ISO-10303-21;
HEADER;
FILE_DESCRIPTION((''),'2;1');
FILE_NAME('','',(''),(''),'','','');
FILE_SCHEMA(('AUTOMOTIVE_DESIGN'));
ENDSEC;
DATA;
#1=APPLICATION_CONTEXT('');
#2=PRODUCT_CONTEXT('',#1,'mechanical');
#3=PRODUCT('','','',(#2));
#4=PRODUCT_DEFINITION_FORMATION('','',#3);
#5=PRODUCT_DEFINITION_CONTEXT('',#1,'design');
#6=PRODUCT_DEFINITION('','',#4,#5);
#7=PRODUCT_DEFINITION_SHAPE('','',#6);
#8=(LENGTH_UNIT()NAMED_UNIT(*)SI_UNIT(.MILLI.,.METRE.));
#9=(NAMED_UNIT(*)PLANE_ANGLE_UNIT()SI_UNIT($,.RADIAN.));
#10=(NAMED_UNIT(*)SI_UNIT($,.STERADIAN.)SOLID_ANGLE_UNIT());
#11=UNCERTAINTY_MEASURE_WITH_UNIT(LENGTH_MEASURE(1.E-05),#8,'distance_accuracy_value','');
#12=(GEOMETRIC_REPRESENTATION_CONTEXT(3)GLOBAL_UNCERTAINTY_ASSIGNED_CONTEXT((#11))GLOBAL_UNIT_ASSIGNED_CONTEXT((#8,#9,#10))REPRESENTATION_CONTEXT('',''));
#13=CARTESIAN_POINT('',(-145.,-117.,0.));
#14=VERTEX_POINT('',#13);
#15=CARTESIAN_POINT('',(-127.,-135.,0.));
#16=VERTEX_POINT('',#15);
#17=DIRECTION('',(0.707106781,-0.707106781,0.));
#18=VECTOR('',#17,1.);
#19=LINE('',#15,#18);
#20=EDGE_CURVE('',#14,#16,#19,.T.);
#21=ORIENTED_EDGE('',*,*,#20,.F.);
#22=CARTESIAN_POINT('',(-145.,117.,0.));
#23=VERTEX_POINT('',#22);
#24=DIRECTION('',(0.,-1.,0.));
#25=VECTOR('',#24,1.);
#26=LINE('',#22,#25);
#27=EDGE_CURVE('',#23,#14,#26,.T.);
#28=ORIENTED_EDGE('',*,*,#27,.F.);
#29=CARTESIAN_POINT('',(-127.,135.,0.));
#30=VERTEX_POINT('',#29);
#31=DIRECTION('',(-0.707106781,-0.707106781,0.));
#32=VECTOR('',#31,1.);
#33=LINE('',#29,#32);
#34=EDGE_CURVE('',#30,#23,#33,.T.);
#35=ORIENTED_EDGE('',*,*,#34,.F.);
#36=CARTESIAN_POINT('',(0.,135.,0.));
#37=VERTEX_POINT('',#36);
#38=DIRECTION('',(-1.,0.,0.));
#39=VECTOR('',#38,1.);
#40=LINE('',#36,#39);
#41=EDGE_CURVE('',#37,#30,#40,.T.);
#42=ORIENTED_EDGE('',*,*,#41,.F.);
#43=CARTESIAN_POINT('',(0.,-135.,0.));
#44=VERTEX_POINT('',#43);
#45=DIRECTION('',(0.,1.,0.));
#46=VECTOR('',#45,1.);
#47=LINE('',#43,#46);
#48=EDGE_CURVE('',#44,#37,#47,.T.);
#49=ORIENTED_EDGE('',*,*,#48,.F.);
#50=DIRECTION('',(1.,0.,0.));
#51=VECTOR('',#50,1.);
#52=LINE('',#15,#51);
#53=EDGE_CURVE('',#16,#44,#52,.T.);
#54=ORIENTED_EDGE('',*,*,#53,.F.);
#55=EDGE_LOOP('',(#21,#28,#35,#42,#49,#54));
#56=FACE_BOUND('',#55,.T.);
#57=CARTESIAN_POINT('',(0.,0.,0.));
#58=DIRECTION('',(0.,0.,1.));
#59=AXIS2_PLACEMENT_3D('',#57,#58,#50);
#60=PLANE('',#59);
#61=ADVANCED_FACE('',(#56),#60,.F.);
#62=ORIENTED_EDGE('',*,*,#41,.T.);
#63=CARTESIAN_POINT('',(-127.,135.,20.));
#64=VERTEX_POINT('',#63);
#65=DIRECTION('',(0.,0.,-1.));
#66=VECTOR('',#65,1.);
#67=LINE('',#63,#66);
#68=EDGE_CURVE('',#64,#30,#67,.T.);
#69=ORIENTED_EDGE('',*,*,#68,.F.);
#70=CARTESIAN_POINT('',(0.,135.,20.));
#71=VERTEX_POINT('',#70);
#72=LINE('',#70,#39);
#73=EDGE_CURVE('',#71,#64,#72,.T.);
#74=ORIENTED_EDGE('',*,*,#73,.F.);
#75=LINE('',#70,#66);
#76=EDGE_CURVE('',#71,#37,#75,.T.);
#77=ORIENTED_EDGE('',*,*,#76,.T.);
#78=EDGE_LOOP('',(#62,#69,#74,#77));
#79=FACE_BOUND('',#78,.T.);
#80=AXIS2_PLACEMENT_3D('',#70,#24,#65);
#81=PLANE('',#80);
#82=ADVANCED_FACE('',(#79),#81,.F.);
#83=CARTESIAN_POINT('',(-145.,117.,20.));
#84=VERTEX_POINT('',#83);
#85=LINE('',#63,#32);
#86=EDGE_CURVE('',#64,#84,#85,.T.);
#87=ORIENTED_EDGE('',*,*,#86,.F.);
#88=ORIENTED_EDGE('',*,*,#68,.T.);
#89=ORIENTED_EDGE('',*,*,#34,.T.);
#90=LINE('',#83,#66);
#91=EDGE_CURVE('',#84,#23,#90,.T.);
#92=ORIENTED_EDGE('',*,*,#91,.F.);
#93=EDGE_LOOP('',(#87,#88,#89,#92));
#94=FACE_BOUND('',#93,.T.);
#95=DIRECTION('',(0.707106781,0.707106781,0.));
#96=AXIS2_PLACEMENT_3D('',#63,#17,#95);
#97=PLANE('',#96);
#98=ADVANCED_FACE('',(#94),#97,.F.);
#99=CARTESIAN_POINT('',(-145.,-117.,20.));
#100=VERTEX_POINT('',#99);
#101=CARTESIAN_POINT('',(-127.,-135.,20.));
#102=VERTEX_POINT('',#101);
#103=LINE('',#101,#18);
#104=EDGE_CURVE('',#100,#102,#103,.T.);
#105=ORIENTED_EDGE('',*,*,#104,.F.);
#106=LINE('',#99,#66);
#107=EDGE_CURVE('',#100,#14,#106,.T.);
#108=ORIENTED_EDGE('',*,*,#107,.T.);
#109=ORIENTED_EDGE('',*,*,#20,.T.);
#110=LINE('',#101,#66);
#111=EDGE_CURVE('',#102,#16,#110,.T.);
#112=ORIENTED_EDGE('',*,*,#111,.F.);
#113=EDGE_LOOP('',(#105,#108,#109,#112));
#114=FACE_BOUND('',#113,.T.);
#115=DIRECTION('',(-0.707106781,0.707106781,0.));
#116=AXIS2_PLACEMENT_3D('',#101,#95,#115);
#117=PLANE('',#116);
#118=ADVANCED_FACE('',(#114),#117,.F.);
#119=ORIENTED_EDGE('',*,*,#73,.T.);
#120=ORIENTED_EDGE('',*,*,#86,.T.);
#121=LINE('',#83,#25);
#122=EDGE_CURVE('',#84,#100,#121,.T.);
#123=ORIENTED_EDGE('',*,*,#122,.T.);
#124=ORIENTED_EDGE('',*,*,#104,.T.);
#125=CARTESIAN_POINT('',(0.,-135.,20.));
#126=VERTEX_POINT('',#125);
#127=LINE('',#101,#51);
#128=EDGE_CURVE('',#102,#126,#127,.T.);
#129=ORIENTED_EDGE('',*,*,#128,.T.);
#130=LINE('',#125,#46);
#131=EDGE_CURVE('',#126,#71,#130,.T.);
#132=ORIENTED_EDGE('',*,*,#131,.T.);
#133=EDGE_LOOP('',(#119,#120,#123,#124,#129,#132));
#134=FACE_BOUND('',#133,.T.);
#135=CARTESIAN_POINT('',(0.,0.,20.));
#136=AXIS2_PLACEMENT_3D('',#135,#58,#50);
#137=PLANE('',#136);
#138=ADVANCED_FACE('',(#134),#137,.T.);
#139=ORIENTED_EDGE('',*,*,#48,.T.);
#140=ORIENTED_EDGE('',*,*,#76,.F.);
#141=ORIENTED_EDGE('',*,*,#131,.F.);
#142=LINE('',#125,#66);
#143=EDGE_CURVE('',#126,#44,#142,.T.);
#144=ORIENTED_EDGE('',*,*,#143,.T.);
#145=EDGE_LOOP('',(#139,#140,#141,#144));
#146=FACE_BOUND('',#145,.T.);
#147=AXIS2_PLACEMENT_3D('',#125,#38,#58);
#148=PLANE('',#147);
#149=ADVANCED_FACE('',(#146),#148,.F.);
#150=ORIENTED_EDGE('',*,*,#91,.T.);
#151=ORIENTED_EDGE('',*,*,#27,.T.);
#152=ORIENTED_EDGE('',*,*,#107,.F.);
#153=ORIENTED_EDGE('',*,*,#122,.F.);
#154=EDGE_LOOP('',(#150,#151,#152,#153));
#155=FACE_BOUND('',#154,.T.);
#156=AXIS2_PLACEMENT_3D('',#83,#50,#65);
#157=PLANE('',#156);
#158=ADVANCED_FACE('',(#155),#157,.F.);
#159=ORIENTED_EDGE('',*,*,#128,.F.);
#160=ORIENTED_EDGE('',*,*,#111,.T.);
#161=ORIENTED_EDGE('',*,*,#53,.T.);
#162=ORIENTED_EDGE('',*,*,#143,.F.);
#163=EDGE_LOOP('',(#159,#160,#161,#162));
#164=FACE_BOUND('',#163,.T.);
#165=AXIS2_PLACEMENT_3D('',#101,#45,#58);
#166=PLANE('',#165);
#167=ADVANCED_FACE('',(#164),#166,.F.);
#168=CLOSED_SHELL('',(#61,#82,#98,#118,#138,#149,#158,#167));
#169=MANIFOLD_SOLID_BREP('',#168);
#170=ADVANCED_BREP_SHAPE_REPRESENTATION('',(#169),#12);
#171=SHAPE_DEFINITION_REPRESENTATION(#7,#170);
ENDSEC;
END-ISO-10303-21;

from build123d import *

# Parameters (mm, degrees)
EXTRUDE_1_DEPTH = 20


with BuildPart() as part:
    # Эскиз1 → Бобышка-Вытянуть1 (new body)
    with BuildSketch(Plane.XY):
        Polygon((0, 135), (-127, 135), (-145, 117), (-145, -117), (-127, -135), (0, -135), align=None)
    extrude(amount=EXTRUDE_1_DEPTH)


solid = part.part
